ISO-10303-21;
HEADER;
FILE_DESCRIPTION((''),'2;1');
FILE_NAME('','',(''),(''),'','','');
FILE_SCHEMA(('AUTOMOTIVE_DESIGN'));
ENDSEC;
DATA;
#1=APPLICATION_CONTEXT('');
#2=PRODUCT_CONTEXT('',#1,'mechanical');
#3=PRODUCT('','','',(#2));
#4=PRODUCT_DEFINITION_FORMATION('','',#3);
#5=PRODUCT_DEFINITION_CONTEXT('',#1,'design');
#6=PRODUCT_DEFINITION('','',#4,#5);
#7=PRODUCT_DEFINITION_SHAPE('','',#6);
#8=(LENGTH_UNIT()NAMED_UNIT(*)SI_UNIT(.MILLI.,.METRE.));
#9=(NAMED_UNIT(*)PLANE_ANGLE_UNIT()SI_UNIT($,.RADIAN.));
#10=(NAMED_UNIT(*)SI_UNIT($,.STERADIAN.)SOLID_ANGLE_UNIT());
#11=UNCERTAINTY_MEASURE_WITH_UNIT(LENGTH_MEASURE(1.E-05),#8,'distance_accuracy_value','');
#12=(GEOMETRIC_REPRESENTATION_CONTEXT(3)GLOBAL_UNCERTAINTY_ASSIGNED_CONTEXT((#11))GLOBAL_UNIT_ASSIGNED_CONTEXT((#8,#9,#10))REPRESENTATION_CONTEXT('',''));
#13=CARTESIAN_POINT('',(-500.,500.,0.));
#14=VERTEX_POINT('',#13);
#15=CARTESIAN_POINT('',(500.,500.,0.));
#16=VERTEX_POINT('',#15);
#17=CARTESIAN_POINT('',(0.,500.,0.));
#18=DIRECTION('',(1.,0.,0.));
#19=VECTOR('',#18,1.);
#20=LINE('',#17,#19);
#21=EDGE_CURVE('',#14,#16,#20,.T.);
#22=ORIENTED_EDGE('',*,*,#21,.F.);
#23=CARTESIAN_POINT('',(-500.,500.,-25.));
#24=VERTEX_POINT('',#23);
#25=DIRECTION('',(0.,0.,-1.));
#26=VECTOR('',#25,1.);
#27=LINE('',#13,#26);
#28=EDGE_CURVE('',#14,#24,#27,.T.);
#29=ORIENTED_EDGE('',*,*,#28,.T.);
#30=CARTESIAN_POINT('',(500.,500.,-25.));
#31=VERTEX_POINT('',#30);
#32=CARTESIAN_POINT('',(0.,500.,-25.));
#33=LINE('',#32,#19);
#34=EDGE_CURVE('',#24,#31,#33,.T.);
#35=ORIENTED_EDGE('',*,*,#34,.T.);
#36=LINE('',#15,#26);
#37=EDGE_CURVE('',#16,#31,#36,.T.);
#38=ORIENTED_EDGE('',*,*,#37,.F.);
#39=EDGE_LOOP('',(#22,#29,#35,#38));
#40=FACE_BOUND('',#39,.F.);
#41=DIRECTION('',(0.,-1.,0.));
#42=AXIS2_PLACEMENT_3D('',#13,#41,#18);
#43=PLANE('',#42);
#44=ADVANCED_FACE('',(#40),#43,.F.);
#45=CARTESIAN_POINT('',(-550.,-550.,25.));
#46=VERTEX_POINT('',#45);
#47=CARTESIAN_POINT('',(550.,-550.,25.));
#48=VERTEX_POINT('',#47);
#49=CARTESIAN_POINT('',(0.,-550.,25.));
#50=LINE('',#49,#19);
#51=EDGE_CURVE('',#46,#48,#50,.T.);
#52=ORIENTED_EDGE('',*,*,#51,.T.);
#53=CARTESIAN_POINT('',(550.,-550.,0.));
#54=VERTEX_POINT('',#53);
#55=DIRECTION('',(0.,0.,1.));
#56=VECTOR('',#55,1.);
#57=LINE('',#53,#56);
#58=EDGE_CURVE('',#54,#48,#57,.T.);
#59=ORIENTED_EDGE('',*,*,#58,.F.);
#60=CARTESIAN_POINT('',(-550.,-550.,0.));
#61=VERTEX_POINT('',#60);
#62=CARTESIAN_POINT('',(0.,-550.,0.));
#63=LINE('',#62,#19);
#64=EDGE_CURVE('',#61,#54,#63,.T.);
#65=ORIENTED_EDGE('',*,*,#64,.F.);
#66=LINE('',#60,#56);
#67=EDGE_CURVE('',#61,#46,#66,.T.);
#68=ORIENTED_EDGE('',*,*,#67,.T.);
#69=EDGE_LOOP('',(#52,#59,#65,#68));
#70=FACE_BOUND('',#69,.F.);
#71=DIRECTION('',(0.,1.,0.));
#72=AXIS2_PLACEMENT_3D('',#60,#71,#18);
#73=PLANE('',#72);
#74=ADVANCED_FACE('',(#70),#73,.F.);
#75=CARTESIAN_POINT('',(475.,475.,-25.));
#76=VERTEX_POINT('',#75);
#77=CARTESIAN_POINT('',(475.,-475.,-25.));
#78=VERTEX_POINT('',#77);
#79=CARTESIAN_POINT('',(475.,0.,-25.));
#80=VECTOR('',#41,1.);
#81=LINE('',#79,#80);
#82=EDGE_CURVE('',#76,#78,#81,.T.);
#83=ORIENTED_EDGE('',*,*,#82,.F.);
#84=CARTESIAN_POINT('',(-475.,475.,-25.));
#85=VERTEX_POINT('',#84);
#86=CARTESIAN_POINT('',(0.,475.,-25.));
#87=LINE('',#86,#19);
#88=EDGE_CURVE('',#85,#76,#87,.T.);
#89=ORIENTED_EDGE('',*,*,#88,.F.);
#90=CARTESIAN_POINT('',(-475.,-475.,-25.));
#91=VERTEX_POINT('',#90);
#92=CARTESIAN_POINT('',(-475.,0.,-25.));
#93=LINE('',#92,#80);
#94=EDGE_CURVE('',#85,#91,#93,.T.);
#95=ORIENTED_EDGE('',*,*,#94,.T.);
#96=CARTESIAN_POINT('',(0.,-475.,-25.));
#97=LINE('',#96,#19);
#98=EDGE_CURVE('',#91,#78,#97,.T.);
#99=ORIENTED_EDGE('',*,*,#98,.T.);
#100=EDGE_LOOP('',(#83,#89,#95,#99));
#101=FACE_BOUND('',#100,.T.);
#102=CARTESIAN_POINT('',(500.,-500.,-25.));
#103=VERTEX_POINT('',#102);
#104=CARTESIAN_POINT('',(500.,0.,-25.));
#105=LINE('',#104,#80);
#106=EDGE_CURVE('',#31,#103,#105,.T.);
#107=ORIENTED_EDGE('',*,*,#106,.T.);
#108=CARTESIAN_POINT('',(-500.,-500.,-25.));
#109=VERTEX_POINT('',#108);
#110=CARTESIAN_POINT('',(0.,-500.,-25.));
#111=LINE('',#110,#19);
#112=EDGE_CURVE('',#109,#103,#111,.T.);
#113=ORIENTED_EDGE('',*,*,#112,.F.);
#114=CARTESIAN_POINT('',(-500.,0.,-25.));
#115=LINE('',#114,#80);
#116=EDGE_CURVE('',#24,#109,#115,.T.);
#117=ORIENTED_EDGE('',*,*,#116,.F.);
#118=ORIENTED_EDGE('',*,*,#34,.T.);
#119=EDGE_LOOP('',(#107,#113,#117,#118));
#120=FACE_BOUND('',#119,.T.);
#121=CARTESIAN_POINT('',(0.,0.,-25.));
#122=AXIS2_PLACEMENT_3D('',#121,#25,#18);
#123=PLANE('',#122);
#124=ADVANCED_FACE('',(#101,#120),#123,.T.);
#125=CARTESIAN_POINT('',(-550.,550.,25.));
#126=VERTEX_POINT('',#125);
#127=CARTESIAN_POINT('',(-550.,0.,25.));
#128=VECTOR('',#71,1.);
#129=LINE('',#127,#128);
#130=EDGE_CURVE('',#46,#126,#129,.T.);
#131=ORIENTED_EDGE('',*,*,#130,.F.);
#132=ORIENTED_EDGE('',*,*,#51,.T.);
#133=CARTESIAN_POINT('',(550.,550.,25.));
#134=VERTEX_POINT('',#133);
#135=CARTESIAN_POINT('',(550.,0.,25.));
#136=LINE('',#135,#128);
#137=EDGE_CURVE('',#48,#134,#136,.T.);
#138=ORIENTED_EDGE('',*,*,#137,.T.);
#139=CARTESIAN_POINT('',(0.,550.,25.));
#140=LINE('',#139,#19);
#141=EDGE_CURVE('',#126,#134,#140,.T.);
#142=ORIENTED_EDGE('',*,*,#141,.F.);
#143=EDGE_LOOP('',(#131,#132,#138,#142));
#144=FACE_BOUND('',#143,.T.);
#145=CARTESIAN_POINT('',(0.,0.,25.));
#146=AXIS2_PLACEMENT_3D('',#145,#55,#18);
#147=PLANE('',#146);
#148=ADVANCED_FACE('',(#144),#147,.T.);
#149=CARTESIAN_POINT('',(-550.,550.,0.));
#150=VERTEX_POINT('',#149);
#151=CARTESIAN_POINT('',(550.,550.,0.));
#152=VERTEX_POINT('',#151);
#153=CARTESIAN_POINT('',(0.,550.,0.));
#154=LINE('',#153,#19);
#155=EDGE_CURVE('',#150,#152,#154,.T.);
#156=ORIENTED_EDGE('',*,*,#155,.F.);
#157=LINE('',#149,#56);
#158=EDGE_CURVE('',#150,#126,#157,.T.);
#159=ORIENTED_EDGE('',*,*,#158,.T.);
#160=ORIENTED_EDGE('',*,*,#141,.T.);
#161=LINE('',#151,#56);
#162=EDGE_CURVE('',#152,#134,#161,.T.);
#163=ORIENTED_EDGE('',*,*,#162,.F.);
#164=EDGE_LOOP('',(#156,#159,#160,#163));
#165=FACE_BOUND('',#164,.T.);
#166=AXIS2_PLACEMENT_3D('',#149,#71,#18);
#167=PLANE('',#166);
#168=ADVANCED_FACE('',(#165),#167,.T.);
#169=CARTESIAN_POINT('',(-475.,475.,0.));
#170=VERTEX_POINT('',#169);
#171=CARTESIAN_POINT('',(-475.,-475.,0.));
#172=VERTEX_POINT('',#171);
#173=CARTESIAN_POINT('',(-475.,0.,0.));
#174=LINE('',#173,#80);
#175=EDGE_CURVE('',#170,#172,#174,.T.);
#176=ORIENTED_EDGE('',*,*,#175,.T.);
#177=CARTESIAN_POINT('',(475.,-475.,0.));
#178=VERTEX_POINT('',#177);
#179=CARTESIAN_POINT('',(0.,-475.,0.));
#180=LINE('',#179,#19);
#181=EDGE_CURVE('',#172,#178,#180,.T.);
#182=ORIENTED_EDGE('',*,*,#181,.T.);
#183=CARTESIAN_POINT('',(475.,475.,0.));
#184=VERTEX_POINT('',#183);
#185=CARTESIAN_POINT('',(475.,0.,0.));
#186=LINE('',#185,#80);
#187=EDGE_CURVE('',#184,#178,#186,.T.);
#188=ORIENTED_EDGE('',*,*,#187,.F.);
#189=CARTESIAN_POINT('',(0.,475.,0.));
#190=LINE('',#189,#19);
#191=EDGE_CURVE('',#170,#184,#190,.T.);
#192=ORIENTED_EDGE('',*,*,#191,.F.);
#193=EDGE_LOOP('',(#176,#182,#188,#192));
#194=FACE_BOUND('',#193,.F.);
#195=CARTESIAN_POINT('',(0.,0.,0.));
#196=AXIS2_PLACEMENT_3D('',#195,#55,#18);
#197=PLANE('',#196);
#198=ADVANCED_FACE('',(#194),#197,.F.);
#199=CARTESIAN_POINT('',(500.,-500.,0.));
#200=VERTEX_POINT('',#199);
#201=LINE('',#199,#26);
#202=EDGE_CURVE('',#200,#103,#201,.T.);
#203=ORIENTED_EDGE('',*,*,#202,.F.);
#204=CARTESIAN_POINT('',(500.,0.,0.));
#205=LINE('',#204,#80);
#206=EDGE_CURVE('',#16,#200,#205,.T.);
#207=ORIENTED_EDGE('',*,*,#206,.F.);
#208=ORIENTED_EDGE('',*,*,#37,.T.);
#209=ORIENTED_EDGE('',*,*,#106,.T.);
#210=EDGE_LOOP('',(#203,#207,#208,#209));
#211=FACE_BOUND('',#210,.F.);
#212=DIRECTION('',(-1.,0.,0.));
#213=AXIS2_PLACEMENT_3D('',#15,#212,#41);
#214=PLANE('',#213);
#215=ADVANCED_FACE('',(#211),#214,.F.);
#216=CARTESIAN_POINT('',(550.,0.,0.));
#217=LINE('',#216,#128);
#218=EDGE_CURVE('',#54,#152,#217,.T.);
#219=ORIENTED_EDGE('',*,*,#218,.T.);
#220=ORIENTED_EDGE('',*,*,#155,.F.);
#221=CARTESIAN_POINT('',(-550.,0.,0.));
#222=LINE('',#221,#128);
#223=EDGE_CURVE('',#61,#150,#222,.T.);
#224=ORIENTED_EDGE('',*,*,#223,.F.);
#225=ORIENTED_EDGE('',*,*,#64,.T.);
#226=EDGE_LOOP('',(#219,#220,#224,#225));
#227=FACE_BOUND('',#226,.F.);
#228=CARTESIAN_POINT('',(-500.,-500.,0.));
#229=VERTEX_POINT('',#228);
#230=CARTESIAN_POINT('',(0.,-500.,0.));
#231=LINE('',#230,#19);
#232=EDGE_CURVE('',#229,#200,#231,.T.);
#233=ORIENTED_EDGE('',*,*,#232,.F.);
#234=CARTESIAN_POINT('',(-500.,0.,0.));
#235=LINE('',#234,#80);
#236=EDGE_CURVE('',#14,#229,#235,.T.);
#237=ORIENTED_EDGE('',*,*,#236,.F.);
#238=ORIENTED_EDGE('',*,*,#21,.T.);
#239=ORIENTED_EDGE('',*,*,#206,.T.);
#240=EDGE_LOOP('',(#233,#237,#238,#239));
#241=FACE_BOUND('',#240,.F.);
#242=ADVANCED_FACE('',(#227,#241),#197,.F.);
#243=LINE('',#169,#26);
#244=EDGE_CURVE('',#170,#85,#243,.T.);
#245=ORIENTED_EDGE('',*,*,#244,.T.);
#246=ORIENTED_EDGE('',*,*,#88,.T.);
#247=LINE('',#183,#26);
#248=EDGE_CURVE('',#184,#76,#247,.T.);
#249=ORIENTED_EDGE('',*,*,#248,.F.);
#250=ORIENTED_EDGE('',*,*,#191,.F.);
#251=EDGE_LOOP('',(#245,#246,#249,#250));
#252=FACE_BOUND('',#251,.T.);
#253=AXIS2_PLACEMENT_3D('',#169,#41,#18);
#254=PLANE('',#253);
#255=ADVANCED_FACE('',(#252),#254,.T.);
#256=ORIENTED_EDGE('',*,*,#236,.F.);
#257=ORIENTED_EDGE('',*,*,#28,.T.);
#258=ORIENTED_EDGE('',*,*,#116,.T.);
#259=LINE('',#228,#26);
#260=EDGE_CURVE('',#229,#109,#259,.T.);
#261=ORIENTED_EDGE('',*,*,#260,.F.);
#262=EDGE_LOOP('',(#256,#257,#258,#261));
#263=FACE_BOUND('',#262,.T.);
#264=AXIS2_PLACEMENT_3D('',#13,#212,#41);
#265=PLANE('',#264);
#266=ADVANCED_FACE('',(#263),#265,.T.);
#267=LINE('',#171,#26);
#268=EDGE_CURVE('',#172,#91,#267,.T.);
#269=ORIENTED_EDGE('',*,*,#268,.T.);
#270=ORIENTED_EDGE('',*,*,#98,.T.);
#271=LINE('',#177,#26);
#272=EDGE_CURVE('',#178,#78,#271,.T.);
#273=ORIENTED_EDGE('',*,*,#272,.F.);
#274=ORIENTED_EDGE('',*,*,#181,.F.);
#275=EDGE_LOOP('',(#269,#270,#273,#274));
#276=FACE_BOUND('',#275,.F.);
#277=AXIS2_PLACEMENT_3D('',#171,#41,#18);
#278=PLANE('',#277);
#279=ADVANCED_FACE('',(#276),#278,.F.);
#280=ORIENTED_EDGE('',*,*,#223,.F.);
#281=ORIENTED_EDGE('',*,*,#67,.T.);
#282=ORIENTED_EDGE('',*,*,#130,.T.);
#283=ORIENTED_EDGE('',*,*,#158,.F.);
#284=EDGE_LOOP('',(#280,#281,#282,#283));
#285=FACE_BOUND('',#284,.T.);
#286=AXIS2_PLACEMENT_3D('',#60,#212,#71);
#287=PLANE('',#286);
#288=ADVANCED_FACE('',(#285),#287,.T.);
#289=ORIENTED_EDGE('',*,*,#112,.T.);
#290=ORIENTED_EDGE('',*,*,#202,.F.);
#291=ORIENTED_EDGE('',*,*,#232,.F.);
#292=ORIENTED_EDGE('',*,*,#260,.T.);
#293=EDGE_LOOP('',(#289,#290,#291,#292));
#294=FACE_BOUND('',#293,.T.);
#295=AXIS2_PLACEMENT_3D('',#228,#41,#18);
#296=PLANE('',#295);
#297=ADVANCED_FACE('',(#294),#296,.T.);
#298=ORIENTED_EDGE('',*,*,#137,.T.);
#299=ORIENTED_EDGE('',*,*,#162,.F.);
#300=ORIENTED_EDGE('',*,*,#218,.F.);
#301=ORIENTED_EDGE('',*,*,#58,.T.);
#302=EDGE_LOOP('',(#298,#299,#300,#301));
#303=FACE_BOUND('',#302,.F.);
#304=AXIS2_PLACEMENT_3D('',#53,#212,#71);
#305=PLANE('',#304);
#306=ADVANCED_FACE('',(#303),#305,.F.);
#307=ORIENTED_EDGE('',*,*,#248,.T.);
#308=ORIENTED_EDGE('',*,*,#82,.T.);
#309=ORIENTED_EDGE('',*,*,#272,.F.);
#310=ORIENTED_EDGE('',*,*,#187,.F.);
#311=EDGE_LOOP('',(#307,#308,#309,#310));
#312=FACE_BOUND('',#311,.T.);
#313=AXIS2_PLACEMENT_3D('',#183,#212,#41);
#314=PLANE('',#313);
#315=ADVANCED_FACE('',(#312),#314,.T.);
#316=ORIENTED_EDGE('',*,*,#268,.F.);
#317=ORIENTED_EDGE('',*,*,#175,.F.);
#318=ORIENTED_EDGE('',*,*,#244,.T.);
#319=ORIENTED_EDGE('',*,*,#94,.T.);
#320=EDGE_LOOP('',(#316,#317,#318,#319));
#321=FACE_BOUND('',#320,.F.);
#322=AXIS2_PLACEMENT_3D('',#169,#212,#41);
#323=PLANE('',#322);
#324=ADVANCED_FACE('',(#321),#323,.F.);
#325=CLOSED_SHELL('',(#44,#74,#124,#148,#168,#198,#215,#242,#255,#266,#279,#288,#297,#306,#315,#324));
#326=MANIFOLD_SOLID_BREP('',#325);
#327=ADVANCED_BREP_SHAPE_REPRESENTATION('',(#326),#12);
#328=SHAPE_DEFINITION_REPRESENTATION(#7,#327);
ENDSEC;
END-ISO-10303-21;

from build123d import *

# Parameters (mm, degrees)
F0_W     = 1100
F0_H     = 1100
F1_DEPTH = 25
F2_W     = 1000
F2_H     = 1000
F2_W_2   = 950
F2_H_2   = 950
F3_DEPTH = 25


with BuildPart() as f1:
    # F0 (on Top) → F1 (new body)
    with BuildSketch(Plane.XY):
        Rectangle(F0_W, F0_H)
    extrude(amount=F1_DEPTH)

    # F2 (on face) → F3 (join)
    with BuildSketch(Plane(origin=(0, 0, 0), x_dir=(1, 0, 0), z_dir=(0, 0, -1))):
        Rectangle(F2_W, F2_H)
        Rectangle(F2_W_2, F2_H_2, mode=Mode.SUBTRACT)
    extrude(amount=F3_DEPTH)


solid = f1.part
